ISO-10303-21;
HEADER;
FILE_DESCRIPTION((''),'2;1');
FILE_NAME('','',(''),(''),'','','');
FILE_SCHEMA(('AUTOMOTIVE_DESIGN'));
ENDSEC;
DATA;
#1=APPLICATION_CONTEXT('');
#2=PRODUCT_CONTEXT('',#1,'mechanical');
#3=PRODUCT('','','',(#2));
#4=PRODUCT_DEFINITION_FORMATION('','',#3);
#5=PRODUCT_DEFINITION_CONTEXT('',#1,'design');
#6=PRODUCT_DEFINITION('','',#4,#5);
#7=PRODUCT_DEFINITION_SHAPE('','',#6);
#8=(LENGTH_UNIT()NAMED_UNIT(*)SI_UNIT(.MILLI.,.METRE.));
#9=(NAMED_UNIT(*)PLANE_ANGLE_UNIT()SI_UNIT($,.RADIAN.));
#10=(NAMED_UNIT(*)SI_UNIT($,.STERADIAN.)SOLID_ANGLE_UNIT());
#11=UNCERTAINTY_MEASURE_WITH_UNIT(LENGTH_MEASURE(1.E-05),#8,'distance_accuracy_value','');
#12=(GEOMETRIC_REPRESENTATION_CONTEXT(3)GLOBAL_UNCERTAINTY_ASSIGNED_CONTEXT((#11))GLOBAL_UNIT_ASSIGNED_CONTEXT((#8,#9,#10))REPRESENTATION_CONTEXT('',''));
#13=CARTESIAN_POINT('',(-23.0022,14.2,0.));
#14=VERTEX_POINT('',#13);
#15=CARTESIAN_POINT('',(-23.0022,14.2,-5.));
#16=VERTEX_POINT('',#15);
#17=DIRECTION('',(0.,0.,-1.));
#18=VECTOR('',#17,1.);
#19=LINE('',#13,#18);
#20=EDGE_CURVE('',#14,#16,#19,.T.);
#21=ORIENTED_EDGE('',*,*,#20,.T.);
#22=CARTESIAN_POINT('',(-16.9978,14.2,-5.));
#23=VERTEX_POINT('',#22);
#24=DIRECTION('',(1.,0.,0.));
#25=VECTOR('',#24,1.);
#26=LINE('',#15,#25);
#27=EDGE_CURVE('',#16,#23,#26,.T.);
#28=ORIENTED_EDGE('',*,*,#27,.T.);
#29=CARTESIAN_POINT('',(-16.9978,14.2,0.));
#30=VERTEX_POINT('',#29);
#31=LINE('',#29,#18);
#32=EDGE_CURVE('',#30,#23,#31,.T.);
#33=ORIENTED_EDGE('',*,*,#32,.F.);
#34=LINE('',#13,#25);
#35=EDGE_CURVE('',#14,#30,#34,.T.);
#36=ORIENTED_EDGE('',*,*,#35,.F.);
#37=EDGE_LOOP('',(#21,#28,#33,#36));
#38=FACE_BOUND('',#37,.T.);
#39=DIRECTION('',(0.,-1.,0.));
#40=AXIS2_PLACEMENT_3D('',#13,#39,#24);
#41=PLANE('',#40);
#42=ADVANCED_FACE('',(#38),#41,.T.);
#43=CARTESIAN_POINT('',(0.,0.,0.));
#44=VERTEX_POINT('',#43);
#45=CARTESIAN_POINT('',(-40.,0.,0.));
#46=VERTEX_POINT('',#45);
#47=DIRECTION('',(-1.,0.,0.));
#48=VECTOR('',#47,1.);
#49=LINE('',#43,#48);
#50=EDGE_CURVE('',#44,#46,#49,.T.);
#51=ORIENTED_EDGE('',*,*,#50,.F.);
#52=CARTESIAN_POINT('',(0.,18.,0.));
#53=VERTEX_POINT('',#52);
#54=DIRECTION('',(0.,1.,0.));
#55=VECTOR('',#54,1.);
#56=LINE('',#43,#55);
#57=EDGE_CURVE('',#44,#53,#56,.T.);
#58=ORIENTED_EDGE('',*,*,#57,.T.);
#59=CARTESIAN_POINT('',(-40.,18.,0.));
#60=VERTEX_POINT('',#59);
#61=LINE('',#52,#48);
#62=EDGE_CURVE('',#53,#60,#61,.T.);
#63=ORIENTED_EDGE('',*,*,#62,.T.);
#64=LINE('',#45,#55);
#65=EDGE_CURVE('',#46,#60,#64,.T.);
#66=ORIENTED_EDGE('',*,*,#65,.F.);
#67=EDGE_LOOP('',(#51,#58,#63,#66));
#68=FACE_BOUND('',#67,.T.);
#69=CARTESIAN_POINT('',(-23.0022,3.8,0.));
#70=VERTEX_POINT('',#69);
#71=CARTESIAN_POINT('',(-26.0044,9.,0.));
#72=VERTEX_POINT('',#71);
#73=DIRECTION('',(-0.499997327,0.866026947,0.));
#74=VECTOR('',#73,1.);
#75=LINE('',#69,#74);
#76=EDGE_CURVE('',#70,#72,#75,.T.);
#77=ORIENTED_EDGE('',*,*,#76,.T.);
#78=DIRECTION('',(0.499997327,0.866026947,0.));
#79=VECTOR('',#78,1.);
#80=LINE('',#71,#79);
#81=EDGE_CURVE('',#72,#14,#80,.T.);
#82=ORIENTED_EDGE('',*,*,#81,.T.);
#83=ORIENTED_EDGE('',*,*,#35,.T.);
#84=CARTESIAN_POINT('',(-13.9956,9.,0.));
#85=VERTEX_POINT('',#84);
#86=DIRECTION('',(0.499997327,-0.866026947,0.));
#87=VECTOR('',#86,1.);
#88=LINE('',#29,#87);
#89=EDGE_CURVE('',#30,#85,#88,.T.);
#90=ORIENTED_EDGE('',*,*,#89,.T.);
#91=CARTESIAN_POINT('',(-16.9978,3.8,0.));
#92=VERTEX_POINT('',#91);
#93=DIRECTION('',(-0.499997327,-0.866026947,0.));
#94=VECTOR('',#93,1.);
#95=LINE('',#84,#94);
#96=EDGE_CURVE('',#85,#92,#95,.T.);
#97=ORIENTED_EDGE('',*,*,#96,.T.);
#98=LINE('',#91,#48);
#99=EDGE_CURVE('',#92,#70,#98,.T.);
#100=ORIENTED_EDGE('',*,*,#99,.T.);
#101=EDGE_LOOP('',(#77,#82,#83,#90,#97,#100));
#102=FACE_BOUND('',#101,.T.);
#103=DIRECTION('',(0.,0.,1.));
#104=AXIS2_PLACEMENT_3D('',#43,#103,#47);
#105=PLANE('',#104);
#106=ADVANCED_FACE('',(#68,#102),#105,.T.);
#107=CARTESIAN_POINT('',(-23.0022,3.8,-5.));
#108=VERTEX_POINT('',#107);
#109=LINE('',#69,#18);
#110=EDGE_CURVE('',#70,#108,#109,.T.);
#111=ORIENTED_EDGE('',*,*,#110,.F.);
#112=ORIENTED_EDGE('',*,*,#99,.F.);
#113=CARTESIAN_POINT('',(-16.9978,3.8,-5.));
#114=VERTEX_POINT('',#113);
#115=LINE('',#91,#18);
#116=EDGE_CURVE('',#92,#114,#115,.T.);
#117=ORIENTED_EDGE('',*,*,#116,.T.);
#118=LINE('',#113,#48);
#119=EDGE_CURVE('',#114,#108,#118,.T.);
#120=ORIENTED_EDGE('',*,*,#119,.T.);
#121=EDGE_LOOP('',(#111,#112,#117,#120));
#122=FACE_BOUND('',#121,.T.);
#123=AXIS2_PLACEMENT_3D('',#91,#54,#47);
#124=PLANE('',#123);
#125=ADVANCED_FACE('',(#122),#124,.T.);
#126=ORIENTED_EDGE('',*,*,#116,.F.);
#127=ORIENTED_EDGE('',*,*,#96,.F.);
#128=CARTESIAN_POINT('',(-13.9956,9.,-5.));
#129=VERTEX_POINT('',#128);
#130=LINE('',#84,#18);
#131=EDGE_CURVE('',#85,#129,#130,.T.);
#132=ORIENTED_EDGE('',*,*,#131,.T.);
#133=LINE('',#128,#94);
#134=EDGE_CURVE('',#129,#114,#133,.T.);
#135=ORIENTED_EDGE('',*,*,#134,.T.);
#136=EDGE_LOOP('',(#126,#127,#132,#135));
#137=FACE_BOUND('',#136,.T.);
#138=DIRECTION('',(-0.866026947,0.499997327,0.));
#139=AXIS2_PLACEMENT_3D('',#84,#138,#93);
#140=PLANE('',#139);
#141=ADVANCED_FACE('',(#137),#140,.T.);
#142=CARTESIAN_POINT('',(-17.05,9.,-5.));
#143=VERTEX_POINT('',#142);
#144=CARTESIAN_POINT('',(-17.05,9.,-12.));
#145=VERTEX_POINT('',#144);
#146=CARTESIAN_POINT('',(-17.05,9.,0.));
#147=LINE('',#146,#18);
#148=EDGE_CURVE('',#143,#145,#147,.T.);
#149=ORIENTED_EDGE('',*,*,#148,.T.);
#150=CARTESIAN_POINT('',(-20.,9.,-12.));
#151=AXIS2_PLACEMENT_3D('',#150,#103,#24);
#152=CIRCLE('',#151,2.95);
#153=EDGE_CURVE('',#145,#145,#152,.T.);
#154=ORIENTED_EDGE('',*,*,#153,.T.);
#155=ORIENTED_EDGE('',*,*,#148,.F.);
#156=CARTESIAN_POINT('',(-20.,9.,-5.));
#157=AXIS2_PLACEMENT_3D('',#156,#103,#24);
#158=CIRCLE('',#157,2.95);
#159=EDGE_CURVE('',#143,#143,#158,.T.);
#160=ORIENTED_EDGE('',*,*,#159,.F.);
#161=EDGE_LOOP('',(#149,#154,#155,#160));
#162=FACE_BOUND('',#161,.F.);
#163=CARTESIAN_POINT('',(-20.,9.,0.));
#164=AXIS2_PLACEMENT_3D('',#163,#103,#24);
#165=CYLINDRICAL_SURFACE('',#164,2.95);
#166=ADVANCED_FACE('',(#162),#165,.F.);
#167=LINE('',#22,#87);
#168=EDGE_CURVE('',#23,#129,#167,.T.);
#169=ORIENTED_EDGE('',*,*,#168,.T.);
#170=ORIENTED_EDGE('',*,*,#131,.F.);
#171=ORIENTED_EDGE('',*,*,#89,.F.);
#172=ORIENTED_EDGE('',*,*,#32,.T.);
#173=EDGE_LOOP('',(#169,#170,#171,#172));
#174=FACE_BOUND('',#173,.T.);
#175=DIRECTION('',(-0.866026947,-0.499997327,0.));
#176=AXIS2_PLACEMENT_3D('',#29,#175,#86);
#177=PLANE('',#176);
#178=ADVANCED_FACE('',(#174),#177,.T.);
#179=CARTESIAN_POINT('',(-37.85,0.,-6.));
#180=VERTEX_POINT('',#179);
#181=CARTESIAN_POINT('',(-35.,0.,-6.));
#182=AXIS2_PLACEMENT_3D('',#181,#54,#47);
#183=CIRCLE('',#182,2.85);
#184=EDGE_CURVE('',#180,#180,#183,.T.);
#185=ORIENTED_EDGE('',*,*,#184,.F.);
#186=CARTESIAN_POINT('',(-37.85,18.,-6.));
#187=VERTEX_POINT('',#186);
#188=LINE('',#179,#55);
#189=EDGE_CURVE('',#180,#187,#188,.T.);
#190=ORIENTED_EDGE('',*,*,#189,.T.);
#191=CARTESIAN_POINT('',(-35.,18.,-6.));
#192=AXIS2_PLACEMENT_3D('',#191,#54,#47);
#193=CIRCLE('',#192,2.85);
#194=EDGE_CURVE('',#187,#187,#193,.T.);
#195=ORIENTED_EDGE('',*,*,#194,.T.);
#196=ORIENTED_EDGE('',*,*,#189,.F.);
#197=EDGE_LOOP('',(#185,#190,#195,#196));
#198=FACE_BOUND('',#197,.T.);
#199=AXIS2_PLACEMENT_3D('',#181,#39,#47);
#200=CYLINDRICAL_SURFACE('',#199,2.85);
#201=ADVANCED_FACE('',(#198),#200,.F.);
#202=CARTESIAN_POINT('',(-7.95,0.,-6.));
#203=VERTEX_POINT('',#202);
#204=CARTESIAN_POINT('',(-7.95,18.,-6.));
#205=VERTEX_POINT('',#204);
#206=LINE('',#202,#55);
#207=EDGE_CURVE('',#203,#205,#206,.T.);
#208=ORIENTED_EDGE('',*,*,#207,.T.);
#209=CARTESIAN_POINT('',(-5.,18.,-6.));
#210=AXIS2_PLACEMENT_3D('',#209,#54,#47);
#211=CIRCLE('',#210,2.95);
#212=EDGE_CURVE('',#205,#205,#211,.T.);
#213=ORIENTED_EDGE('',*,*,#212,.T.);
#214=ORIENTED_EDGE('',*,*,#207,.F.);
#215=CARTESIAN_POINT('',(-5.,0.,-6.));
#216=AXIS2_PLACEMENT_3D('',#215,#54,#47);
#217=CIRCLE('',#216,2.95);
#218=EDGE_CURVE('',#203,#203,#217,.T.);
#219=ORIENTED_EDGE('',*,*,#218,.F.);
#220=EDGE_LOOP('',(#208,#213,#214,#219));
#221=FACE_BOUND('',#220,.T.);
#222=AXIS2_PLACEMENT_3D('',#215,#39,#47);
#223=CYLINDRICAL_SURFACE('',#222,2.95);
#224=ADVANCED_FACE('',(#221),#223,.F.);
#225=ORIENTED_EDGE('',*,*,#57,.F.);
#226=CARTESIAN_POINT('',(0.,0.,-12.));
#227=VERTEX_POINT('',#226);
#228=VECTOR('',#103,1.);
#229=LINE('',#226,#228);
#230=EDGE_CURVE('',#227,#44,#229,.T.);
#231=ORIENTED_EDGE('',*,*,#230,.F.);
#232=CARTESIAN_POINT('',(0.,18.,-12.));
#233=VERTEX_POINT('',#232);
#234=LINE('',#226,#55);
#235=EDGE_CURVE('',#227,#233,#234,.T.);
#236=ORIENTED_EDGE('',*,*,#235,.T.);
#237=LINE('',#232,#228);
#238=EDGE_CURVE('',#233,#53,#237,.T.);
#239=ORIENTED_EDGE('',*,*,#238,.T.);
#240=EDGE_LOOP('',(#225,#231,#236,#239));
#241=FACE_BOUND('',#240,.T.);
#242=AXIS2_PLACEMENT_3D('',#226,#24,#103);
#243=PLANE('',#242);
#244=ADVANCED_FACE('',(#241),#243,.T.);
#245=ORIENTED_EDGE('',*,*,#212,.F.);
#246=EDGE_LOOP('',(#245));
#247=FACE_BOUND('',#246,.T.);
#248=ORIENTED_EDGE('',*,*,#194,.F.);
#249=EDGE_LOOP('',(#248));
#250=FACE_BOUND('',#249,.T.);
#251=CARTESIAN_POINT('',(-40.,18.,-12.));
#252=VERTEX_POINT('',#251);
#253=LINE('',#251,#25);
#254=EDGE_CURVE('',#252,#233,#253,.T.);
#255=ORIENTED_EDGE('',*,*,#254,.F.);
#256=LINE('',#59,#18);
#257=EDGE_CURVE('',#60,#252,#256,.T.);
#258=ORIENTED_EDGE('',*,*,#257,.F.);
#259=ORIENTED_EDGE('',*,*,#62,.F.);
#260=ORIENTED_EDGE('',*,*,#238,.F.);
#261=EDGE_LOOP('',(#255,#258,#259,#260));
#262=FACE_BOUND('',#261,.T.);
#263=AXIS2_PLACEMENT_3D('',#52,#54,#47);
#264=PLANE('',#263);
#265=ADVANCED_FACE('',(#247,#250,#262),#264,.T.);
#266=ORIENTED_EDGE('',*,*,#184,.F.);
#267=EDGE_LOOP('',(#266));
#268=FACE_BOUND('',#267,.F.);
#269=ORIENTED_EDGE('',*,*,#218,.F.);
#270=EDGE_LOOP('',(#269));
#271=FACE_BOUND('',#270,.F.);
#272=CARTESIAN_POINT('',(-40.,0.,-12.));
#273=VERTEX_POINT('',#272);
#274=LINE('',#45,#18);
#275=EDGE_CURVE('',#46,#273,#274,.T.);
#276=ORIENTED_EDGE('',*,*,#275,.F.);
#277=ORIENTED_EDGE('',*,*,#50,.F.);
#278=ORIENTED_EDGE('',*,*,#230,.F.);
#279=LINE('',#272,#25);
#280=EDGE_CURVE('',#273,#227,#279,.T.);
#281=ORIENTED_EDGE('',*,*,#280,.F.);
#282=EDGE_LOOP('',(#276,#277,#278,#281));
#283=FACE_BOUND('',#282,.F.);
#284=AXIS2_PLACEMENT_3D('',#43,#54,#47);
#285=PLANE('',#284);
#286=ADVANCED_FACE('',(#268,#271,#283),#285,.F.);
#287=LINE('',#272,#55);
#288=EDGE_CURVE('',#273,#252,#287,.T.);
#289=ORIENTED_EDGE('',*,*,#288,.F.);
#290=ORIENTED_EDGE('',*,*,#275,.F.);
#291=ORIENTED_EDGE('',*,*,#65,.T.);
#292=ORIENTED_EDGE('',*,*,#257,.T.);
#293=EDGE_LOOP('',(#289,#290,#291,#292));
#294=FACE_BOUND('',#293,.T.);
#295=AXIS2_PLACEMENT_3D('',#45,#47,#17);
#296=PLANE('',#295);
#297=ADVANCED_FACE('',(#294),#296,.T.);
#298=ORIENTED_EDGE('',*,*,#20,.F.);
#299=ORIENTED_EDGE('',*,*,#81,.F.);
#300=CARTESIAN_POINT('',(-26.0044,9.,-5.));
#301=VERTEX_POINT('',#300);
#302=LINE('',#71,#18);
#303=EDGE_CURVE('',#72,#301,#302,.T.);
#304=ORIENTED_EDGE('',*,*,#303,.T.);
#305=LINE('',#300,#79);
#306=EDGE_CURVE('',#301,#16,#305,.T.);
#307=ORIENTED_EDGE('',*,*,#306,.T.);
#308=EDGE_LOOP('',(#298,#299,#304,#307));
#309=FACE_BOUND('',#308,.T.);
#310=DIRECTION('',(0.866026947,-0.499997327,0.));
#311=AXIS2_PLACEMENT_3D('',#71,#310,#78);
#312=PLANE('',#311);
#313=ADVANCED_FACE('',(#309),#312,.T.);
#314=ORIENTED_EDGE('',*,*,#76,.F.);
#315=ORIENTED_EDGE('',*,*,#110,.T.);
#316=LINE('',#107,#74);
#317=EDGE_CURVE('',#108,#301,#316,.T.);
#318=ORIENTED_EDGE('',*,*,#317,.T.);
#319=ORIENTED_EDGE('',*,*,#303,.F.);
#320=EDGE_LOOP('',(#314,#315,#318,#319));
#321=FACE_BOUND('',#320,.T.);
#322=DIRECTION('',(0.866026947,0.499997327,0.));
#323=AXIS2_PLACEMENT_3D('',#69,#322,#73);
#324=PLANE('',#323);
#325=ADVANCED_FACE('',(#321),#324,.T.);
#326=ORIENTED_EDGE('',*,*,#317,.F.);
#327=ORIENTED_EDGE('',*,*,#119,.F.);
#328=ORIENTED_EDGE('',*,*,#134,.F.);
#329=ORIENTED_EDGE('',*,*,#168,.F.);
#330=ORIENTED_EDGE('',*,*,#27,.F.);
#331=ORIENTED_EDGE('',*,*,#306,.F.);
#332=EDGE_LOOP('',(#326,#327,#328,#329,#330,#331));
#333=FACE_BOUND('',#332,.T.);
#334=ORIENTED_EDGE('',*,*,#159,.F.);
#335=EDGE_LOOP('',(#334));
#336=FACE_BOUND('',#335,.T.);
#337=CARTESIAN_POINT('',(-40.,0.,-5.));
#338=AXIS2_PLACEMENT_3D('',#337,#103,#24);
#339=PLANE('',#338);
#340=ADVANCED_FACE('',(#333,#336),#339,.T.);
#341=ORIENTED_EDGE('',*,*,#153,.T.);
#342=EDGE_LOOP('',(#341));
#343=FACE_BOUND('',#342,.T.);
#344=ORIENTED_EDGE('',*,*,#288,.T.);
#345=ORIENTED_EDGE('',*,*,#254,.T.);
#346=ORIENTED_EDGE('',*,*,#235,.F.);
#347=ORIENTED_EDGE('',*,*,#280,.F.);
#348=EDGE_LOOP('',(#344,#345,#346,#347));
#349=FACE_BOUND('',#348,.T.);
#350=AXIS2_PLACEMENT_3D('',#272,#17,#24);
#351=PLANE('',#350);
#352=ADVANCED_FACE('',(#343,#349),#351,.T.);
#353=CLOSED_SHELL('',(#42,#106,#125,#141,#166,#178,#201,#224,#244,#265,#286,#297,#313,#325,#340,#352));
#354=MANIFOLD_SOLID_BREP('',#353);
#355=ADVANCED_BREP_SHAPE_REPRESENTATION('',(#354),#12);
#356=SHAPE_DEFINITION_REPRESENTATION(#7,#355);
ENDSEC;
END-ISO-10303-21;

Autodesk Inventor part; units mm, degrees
ref_plane "YZ Plane" through (0, 0, 0) normal (1, 0, 0) x (0, 1, 0)
ref_plane "XZ Plane" through (0, 0, 0) normal (0, 1, 0) x (-1, 0, 0)
ref_plane "XY Plane" through (0, 0, 0) normal (0, 0, 1) x (1, 0, 0)
sketch "Sketch1" plane through (0, 0, 0) normal (0, 1, 0) x (-1, 0, 0)
  line L0 (0, 0) -> (40, 0)
  line L1 (40, 0) -> (40, -12)
  line L2 (40, -12) -> (0, -12)
  line L3 (0, -12) -> (0, 0)
  circle A0 centre (35, -6) radius 2.85
  circle A1 centre (5, -6) radius 2.95
  dimension "d0" = 40
  dimension "d1" = 12
  dimension "d2" = 5.7
  dimension "d3" = 5.9
  dimension "d4" = 5
  dimension "d6" = 6
  dimension "d33" = 5
extrude "Extrusion1" add sketch "Sketch1" along normal blind 18
sketch "Sketch8" plane through (-40, 0, 0) normal (0, 0, 1) x (1, 0, 0)
  circle A0 centre (20, 9) radius 2.95
  line L0 (0, 0) -> (0, 18) projected
  line L1 (40, 0) -> (0, 0) projected
  dimension "d34" = 5.9
  dimension "d35" = 20
  dimension "d36" = 9
extrude "Extrusion8" cut sketch "Sketch8" against normal up to next
sketch "Sketch9" plane through (-40, 0, 0) normal (0, 0, 1) x (1, 0, 0)
  circle A0 centre (20, 9) radius 2.95 projected
  line L0 (16.9978, 3.8) -> (13.9956, 9)
  line L1 (13.9956, 9) -> (16.9978, 14.2)
  line L2 (16.9978, 14.2) -> (23.0022, 14.2)
  line L3 (23.0022, 14.2) -> (26.0044, 9)
  line L4 (26.0044, 9) -> (23.0022, 3.8)
  line L5 (23.0022, 3.8) -> (16.9978, 3.8)
  line L6 (40, 0) -> (0, 0) projected
  dimension "d39" = 10.4
extrude "Extrusion9" cut sketch "Sketch9" against normal blind 5
properties part number "back_sprocket_holder"
